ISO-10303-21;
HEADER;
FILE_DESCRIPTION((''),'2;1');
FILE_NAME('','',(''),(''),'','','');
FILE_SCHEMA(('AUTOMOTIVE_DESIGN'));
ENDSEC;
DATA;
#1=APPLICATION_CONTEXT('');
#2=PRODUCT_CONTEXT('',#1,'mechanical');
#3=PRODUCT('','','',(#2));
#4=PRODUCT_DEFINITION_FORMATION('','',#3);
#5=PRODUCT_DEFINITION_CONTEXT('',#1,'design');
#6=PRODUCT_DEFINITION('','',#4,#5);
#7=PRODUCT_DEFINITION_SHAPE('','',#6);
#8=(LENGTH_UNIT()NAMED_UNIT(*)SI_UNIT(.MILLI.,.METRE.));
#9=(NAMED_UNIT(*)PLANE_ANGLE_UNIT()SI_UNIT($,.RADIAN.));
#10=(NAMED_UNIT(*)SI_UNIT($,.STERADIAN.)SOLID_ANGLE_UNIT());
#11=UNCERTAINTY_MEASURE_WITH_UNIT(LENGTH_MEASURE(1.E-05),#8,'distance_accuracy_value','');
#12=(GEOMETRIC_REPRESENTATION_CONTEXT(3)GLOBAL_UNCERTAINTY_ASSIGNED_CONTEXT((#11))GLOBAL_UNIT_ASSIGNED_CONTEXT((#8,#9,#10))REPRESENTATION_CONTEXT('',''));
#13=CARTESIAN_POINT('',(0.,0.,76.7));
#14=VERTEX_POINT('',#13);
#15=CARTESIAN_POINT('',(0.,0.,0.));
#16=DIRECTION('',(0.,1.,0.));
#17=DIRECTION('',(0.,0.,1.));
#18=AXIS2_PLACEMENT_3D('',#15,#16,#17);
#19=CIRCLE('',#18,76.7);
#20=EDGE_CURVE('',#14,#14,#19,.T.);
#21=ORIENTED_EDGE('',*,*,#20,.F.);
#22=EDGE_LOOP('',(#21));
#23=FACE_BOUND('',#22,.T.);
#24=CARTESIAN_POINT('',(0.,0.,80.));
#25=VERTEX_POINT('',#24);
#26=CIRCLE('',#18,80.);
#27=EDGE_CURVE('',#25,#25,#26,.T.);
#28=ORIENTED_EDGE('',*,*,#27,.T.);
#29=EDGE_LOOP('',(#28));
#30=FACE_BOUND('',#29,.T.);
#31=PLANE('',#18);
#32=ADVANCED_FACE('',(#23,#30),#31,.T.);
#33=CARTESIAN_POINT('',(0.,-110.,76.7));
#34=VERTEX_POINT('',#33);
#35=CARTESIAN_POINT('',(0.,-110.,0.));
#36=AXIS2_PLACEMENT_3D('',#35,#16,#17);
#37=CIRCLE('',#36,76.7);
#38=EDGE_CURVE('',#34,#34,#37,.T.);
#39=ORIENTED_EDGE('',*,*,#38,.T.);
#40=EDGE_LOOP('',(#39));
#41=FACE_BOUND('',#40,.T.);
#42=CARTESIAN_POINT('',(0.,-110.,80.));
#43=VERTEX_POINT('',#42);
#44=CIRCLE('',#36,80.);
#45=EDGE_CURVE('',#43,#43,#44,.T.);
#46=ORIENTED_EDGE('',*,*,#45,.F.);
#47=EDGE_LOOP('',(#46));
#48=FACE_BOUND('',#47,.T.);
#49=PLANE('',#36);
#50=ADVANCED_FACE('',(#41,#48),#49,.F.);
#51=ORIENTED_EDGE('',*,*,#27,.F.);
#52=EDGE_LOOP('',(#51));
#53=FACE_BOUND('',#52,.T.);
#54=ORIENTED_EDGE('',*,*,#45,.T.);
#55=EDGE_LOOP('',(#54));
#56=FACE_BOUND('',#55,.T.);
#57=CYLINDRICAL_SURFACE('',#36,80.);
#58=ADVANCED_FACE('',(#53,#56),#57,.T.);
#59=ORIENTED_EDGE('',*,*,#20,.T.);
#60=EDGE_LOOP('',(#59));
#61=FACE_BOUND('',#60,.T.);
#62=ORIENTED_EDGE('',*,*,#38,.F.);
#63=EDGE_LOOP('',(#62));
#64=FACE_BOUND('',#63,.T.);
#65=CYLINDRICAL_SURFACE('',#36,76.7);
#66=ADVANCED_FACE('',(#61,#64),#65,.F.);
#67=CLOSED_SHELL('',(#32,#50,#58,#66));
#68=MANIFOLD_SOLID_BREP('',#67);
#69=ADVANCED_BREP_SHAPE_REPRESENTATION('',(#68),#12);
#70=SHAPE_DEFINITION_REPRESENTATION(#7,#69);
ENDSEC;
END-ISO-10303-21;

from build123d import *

# Parameters (mm, degrees)
CROQUIS2_R              = 80
CROQUIS2_R_2            = 76.7
SALIENTE_EXTRUIR1_DEPTH = 110


with BuildPart() as part:
    # Croquis2 → Saliente-Extruir1 (new body)
    with BuildSketch(Plane(origin=(0, 0, 0), x_dir=(1, 0, 0), z_dir=(0, 1, 0))):
        with Locations(Location((0, 0, 0), (0, 0, 270))):
            Circle(CROQUIS2_R)
        with Locations(Location((0, 0, 0), (0, 0, 270))):
            Circle(CROQUIS2_R_2, mode=Mode.SUBTRACT)
    extrude(amount=-SALIENTE_EXTRUIR1_DEPTH)


solid = part.part
